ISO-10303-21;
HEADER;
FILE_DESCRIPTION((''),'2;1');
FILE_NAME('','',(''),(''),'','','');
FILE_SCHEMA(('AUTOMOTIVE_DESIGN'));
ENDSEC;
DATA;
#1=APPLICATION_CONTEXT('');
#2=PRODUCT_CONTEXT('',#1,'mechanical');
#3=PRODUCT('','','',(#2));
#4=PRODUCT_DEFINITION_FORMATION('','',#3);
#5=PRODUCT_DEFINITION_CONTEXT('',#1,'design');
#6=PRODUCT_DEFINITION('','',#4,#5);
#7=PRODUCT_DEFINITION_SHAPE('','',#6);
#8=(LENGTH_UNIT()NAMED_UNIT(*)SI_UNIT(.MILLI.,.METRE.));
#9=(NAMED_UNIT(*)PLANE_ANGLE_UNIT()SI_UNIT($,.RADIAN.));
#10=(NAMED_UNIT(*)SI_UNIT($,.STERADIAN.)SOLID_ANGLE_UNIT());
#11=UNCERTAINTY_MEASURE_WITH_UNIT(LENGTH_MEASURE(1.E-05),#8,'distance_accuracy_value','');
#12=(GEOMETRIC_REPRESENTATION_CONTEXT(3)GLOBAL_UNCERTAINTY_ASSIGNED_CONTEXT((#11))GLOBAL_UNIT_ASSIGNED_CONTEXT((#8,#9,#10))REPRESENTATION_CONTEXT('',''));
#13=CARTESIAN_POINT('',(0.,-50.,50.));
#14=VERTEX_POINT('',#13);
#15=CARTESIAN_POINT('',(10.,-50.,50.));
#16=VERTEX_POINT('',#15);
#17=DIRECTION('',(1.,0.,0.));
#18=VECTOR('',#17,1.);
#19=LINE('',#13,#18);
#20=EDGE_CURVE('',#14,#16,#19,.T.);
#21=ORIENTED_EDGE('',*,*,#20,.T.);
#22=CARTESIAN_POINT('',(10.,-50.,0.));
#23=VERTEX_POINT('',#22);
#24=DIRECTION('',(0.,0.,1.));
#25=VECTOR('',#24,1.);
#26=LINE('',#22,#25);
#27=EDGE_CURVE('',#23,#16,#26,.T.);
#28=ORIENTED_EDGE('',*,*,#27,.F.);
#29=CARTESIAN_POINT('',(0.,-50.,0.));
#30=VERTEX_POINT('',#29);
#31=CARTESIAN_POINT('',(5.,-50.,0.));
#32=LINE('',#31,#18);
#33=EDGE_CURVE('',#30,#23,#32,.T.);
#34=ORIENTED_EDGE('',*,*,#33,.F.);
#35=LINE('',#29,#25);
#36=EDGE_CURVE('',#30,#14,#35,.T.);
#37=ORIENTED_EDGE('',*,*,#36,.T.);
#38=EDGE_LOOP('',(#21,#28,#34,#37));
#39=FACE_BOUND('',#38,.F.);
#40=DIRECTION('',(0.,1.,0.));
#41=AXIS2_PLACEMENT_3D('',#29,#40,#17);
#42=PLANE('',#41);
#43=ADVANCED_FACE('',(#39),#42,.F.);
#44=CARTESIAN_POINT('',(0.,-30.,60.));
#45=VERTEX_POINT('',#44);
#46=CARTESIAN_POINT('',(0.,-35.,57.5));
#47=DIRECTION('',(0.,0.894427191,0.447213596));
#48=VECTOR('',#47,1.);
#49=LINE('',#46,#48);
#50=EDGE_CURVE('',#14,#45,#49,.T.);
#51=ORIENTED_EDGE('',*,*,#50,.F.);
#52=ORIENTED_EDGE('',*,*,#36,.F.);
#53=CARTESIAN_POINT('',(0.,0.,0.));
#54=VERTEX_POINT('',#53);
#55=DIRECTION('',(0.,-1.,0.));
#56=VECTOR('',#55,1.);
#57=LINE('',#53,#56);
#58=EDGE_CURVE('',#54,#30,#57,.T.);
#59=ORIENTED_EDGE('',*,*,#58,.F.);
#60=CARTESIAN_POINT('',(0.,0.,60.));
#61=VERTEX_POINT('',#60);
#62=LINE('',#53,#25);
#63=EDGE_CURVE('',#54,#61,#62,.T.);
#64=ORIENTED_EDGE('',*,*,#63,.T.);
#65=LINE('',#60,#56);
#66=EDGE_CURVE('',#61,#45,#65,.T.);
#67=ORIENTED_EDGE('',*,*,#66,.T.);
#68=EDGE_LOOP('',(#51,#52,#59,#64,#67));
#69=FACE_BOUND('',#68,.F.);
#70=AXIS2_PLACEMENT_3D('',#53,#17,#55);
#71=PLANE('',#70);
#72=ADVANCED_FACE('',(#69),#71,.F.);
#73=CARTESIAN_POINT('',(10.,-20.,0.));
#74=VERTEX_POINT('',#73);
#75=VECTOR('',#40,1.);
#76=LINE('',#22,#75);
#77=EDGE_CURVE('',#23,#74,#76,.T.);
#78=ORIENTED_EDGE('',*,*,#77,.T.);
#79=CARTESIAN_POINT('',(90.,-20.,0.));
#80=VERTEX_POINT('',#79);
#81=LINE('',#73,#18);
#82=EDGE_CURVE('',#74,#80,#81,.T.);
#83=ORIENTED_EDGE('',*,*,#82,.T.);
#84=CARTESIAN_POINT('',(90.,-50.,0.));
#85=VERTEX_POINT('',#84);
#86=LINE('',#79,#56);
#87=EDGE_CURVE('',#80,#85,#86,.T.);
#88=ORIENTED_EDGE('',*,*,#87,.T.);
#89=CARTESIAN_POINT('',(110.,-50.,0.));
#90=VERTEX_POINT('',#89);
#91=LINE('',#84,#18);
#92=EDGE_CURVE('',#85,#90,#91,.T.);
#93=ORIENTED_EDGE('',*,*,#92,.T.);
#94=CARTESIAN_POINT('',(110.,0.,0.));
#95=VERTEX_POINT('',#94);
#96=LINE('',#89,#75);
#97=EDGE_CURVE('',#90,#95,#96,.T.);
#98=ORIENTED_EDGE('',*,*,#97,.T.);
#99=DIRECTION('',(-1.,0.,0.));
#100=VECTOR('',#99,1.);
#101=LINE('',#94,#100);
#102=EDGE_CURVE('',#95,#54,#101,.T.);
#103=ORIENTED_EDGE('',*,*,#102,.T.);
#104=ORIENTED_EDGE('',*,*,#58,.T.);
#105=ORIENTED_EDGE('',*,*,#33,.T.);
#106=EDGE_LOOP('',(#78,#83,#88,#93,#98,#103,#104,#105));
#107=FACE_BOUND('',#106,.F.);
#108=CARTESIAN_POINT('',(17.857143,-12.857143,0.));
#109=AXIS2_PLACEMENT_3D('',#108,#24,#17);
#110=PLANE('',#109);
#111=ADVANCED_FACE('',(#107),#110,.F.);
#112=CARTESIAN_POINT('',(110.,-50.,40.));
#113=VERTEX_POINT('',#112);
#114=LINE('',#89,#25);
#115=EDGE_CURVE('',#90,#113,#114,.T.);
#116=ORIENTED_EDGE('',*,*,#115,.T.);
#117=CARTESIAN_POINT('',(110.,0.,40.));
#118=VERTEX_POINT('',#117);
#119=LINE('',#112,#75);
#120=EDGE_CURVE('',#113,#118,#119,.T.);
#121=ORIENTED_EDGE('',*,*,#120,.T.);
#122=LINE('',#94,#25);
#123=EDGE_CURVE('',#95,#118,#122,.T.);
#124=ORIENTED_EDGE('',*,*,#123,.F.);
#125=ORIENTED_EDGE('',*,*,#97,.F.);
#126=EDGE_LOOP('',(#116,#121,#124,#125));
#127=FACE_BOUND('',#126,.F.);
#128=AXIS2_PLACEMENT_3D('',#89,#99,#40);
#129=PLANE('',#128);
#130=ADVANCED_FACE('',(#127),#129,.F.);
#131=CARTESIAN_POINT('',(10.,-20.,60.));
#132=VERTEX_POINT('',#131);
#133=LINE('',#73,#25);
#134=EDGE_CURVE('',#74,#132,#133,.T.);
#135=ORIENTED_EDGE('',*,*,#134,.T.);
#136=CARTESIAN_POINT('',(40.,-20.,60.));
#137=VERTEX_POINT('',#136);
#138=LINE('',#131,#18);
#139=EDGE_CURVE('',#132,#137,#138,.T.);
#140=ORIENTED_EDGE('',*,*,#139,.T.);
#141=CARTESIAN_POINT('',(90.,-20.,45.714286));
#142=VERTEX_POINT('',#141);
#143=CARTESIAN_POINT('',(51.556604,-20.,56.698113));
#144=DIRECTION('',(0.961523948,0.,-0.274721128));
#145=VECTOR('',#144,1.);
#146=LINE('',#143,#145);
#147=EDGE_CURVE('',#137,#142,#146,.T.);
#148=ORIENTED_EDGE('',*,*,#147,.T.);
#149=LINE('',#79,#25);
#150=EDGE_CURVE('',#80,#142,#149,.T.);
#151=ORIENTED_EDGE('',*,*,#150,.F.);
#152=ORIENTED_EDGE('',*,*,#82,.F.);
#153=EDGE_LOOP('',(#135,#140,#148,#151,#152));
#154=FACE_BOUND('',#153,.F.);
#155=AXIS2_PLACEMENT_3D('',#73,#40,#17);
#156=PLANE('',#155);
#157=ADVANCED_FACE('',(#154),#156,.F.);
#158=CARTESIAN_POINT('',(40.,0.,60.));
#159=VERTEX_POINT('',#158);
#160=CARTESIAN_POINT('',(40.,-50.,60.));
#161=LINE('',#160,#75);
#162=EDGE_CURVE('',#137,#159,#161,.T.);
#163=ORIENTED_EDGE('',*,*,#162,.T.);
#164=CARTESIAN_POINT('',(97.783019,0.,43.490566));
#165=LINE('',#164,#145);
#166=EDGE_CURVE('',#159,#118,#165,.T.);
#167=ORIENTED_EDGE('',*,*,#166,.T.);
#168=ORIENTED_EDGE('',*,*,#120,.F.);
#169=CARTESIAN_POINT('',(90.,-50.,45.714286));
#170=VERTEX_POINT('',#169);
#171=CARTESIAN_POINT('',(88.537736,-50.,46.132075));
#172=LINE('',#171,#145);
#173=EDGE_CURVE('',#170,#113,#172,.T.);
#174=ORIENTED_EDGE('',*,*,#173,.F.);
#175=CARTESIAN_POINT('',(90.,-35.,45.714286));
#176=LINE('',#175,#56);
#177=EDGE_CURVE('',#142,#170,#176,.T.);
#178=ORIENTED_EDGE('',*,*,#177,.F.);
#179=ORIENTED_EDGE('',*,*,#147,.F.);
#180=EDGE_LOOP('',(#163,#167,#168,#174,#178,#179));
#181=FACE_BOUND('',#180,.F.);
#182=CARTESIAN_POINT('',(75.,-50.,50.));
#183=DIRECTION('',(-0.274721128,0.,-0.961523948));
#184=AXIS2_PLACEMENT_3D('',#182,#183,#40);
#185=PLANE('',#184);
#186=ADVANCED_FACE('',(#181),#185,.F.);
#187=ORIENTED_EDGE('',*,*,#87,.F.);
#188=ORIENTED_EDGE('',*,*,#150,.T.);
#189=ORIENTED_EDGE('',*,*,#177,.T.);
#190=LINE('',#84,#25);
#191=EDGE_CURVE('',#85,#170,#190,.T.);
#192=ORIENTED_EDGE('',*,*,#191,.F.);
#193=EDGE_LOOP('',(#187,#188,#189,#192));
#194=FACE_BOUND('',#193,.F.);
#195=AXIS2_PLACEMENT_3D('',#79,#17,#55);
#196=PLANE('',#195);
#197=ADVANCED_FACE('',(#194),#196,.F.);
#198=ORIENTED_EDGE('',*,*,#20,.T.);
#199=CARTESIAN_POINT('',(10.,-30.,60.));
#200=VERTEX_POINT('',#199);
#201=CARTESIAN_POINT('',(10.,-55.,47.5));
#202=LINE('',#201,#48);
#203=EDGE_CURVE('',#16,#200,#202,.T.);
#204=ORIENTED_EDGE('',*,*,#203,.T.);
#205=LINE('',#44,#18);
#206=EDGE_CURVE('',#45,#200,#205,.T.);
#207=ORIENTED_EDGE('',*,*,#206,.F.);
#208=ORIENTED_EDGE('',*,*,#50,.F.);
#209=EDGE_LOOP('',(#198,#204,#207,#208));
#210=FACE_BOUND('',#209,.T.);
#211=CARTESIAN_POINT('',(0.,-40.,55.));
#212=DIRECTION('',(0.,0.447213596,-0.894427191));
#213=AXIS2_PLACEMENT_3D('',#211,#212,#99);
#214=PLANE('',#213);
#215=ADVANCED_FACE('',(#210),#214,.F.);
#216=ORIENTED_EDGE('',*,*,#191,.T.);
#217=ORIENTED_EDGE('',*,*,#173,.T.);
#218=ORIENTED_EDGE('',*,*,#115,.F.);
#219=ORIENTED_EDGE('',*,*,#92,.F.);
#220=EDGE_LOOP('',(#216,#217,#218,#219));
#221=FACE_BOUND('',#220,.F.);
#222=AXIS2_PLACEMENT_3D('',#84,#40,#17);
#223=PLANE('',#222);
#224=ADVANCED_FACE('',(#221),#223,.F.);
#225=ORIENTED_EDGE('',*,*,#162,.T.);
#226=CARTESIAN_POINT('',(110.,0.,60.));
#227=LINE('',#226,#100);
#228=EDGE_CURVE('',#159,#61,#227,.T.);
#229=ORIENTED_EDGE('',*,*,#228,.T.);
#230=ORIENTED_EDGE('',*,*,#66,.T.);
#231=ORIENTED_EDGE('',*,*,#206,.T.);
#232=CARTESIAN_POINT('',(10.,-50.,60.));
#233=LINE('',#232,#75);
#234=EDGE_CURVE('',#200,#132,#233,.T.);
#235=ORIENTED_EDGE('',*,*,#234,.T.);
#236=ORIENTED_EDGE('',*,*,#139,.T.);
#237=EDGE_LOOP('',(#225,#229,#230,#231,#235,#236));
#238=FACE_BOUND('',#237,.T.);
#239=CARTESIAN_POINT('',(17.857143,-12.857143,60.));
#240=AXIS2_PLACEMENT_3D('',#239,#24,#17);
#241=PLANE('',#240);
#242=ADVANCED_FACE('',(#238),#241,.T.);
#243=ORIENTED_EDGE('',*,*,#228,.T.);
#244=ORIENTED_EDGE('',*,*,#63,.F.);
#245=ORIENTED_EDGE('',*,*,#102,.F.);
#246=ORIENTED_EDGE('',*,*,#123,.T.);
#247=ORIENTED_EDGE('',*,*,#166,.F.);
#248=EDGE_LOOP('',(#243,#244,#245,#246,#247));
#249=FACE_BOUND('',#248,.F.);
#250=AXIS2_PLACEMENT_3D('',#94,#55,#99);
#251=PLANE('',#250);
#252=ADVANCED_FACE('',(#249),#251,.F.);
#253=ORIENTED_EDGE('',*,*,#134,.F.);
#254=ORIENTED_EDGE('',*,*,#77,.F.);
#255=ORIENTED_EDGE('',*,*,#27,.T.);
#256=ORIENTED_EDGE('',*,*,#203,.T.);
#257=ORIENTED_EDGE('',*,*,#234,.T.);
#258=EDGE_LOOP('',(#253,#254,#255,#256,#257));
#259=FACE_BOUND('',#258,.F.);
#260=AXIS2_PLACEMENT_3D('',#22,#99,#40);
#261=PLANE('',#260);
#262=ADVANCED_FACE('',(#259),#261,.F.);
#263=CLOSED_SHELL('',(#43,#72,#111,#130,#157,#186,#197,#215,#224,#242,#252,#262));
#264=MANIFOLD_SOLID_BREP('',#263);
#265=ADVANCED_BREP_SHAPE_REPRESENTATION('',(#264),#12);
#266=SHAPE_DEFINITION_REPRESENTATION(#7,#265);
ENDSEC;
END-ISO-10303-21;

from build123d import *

# Parameters (mm, degrees)
F0_W     = 10
F0_H     = 20
F1_DEPTH = 60
F2_SIZE2 = 20
F2_SIZE  = 70
F3_SIZE2 = 20
F3_SIZE  = 10


with BuildPart() as f1:
    # F0 (on Top) → F1 (new body)
    with BuildSketch(Plane.XY):
        Polygon((40, 0), (0, 0), (0, -30), (10, -30), (10, -20), (40, -20), align=None)
        Polygon((110, 0), (40, 0), (40, -20), (90, -20), (90, -50), (110, -50), align=None)
        with Locations((5, -40)):
            Rectangle(F0_W, F0_H)
    extrude(amount=F1_DEPTH)

    # F2
    f2_edges = [f1.edges().sort_by_distance(p)[0] for p in [
        (110, -25, 60),
    ]]
    f2_side = f1.faces().sort_by_distance((58.870968, -17.258065, 60))[0]
    chamfer(f2_edges, length=F2_SIZE, length2=F2_SIZE2, reference=f2_side)

    # F3
    f3_edges = [f1.edges().sort_by_distance(p)[0] for p in [
        (5, -50, 60),
    ]]
    f3_side = f1.faces().sort_by_distance((5, -50, 30))[0]
    chamfer(f3_edges, length=F3_SIZE, length2=F3_SIZE2, reference=f3_side)


solid = f1.part
